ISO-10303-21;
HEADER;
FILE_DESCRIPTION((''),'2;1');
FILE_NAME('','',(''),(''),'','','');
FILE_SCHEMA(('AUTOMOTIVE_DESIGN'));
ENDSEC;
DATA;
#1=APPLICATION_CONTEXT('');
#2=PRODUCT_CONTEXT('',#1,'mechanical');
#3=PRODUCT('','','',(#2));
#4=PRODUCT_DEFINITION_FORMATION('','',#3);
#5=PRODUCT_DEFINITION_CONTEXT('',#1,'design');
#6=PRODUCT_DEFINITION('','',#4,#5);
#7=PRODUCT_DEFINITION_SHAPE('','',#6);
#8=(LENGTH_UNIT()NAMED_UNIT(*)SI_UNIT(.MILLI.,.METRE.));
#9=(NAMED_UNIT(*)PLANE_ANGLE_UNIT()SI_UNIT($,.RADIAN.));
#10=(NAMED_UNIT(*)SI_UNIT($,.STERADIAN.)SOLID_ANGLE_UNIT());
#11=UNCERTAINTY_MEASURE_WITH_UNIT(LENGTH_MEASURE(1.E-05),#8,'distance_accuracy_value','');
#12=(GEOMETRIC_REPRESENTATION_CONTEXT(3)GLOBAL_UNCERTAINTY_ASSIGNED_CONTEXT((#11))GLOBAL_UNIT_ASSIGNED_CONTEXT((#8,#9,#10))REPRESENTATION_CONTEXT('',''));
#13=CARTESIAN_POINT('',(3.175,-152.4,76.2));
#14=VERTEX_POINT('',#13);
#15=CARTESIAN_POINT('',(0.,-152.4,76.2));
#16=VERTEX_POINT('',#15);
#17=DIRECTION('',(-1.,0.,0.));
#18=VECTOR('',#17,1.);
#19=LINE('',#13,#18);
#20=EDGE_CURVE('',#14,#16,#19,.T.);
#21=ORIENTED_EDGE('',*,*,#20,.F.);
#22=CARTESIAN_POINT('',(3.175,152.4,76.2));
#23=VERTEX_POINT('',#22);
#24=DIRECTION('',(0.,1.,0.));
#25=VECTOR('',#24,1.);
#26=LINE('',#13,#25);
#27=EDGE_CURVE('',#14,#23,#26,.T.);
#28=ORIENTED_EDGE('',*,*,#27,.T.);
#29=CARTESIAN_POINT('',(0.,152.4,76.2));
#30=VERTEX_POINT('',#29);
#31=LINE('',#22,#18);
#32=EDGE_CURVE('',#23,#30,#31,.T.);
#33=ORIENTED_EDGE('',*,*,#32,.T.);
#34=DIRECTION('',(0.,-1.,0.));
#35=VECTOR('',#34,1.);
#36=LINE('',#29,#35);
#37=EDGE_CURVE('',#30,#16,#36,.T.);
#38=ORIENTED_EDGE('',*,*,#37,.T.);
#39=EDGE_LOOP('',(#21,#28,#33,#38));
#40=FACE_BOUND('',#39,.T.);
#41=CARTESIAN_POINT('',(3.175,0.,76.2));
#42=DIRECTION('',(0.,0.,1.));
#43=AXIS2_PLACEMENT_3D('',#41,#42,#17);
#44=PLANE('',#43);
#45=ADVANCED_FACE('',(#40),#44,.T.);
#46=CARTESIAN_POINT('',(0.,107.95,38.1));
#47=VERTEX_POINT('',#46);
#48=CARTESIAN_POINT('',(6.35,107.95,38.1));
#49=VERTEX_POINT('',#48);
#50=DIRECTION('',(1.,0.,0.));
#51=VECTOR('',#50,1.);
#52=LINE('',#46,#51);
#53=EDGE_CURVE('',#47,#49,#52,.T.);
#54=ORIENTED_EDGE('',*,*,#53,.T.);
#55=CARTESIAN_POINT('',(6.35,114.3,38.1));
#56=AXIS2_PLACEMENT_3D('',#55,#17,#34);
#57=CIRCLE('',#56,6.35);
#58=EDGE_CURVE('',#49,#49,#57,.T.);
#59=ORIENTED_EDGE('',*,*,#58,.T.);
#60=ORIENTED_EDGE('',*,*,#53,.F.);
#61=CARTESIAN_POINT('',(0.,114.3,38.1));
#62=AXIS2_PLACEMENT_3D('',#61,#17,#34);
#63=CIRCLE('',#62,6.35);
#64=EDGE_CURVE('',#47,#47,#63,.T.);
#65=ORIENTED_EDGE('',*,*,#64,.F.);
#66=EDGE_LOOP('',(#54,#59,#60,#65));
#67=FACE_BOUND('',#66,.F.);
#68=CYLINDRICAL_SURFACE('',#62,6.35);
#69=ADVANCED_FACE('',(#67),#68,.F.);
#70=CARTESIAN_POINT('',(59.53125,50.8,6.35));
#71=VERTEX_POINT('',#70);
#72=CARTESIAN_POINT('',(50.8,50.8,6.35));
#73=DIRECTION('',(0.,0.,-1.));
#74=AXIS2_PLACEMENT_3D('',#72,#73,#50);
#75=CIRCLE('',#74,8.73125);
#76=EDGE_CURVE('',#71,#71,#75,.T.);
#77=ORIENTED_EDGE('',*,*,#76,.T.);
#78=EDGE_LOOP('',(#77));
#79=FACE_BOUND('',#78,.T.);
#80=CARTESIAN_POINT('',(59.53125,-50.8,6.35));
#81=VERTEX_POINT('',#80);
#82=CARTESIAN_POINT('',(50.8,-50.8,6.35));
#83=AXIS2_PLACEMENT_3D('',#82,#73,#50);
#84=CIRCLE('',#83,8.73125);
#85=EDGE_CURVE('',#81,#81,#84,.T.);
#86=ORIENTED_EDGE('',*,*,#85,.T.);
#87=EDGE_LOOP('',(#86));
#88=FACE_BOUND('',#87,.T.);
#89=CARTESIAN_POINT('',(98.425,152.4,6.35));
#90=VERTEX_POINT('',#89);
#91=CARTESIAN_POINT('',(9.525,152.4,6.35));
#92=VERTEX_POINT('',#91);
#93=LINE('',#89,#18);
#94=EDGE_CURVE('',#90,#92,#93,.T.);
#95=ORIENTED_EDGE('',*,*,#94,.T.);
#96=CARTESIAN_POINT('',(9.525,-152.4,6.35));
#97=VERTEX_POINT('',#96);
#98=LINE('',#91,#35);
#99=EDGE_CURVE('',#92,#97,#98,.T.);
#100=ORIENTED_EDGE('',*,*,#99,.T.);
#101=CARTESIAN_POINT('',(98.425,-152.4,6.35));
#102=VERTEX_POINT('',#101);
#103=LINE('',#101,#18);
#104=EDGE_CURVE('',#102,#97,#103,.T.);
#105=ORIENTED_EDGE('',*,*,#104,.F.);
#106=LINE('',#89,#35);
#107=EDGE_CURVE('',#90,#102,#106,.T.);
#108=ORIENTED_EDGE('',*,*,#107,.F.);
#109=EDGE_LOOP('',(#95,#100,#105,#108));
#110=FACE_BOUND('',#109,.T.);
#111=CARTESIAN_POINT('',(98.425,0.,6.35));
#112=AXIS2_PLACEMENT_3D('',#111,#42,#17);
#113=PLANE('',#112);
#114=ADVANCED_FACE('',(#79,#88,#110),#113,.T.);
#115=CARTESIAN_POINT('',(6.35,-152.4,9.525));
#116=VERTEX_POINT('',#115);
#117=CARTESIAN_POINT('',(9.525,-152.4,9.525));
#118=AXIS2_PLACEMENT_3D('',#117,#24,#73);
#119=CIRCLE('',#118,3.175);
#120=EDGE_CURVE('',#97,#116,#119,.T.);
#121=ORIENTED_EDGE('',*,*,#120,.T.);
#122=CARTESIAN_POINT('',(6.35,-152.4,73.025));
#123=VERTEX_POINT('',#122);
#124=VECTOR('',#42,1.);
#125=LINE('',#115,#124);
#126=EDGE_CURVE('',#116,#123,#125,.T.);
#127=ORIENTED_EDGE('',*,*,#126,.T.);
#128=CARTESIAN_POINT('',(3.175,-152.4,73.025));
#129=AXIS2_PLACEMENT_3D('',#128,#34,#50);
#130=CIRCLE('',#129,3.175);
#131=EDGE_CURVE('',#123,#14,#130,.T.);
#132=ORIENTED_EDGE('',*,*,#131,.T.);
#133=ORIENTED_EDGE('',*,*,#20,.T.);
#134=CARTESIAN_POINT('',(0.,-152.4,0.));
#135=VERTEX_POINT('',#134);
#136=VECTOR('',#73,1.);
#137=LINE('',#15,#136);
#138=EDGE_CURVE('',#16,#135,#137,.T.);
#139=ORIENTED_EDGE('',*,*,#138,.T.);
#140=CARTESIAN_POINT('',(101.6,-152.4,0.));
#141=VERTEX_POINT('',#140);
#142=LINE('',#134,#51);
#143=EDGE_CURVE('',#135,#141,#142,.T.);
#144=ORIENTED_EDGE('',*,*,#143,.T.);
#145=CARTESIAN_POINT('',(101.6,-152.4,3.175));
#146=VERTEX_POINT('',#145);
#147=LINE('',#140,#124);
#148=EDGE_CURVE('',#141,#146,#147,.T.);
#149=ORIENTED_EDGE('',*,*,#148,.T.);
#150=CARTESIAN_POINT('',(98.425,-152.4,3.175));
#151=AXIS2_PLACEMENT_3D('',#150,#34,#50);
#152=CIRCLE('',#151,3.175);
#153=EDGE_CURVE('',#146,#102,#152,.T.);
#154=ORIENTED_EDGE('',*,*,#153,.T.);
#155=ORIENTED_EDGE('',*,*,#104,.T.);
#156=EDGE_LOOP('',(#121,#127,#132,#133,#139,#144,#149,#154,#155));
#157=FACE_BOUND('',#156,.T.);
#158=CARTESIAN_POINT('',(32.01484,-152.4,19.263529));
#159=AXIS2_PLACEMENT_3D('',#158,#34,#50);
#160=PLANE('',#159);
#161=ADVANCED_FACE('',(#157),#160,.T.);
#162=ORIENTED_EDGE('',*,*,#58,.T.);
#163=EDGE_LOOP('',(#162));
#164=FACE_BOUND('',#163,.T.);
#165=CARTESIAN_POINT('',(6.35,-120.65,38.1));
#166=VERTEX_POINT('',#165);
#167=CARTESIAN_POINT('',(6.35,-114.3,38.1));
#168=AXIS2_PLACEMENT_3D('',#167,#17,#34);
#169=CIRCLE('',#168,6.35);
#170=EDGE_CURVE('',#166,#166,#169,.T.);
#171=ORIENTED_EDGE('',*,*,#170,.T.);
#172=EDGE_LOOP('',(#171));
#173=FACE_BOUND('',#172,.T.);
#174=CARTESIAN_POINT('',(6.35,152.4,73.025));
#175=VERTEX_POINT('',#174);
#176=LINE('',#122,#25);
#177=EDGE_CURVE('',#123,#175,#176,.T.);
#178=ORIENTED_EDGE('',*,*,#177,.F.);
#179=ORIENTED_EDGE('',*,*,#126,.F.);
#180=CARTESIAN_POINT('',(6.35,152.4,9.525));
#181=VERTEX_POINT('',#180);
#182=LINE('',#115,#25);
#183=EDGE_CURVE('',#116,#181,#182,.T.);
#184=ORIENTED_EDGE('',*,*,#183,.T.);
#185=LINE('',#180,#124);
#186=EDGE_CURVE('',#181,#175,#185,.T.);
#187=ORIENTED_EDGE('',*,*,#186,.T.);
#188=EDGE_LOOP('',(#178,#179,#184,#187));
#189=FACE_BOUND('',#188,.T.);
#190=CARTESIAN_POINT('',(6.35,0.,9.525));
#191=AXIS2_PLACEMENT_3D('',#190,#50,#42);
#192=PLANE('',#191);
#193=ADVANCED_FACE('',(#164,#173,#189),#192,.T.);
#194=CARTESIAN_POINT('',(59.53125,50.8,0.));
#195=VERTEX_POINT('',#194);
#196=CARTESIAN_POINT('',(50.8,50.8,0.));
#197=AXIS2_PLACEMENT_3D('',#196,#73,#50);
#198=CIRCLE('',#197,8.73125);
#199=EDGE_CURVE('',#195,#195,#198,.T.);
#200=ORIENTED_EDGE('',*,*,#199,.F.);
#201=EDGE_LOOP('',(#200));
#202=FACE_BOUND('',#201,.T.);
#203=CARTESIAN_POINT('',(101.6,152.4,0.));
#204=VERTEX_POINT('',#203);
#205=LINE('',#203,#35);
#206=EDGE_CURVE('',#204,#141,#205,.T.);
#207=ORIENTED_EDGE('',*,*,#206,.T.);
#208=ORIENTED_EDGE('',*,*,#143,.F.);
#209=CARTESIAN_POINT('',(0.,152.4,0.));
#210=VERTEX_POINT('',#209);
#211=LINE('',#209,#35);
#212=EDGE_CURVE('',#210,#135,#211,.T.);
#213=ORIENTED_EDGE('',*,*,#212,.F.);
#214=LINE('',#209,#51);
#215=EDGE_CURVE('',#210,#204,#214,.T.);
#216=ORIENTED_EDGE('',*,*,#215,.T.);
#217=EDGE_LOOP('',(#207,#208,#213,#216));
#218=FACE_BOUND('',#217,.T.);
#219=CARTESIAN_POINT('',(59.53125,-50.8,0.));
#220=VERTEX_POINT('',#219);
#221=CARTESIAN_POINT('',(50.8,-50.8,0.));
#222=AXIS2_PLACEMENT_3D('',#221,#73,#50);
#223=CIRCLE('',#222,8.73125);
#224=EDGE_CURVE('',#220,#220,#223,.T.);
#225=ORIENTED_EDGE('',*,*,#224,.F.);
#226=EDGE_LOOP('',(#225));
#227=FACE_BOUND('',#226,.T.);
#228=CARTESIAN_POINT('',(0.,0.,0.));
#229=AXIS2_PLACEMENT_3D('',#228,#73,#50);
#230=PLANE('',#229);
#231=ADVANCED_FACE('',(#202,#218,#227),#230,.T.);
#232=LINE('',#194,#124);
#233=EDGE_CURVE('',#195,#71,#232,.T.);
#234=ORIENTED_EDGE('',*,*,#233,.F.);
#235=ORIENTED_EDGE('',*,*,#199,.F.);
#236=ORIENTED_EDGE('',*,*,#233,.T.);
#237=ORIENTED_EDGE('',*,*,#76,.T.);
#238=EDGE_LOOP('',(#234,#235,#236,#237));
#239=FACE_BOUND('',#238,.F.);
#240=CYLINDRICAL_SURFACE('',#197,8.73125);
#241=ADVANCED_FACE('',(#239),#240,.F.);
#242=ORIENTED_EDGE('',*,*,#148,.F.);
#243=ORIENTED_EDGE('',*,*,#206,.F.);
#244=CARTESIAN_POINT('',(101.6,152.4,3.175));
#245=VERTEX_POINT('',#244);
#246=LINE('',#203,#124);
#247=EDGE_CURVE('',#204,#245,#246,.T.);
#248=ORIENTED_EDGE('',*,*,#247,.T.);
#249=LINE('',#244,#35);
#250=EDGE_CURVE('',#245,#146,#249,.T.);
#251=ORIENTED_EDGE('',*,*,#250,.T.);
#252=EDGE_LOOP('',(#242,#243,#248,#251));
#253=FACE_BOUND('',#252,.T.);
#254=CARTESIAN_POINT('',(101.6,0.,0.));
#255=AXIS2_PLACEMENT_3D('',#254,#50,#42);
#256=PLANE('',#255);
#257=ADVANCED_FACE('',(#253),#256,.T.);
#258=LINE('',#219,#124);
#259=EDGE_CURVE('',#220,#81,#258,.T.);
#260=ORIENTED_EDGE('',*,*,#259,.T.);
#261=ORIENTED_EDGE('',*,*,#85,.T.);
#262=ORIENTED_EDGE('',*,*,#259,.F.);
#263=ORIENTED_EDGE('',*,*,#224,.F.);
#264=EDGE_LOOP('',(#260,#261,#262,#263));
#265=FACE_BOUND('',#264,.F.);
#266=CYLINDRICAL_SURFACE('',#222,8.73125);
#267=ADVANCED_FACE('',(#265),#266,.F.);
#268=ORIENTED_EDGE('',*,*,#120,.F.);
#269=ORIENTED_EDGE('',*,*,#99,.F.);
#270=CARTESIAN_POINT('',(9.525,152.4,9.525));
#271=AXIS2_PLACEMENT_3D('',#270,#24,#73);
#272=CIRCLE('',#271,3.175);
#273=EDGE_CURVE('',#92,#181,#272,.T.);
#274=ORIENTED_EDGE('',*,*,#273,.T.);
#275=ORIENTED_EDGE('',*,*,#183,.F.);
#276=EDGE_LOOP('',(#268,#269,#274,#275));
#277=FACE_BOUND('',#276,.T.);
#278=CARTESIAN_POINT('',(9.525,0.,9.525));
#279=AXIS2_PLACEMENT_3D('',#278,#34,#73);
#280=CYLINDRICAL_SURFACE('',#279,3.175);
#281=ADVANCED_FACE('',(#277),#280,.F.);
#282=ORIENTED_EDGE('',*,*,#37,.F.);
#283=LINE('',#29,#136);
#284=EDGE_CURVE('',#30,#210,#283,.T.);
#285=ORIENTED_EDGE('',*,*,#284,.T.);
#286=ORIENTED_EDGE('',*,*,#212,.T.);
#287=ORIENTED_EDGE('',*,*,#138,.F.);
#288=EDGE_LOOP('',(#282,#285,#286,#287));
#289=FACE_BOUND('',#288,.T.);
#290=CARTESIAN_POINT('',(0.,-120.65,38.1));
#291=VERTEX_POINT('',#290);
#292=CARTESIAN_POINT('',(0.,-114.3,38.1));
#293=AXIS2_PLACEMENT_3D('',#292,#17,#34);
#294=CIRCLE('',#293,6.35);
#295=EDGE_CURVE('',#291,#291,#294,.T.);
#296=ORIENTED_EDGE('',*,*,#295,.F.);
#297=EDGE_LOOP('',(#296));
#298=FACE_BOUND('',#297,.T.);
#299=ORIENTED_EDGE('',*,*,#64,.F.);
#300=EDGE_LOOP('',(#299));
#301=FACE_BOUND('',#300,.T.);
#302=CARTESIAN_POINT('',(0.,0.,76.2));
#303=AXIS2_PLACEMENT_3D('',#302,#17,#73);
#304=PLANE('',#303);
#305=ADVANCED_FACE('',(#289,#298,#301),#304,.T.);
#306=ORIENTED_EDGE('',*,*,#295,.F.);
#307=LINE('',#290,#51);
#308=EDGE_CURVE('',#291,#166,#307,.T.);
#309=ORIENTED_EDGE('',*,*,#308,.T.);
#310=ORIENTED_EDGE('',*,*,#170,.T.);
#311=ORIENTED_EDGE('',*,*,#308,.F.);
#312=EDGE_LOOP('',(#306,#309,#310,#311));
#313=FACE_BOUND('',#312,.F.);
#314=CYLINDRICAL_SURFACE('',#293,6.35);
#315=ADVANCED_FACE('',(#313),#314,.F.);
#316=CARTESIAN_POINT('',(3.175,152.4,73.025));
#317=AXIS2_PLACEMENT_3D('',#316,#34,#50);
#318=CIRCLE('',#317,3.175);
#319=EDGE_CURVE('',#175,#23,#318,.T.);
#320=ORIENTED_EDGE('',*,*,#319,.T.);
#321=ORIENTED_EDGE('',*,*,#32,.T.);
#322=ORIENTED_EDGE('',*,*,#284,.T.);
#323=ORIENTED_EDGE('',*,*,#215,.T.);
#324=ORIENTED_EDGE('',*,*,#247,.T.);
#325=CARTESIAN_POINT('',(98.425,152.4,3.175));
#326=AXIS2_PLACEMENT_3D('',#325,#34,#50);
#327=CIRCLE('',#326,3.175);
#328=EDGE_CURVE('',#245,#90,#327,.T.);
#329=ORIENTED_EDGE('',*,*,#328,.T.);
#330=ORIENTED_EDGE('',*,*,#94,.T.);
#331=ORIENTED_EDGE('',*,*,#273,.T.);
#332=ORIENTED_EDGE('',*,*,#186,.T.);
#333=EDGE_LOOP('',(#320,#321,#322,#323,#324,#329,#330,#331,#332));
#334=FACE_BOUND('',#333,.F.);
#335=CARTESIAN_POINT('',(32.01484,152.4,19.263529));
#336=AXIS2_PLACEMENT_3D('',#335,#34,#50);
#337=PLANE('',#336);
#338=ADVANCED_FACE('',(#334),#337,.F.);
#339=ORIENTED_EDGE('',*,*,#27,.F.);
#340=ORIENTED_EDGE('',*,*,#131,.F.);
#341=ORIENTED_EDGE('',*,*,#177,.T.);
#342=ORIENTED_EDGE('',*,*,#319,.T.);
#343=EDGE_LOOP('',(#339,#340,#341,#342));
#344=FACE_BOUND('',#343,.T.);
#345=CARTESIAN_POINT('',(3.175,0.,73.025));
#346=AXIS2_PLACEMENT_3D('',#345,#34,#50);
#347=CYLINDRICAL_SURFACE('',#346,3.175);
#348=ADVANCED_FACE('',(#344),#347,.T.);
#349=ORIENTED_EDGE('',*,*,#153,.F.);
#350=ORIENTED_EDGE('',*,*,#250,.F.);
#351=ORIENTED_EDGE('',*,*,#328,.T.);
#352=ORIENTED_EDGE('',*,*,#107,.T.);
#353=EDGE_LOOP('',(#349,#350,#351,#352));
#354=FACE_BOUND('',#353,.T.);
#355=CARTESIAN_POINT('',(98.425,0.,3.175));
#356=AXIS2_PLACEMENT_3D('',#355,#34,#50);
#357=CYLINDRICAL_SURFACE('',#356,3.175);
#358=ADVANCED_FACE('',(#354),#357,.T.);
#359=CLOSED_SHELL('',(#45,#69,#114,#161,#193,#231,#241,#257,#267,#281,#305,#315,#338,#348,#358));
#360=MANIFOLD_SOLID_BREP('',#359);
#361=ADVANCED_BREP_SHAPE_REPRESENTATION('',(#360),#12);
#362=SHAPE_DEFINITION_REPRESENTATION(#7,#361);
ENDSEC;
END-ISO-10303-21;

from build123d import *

# Parameters (mm, degrees)
F1_DEPTH = 152.4
F2_R     = 8.73125
F3_DEPTH = 76.201
F4_R     = 6.35
F5_DEPTH = 101.601


with BuildPart() as f1:
    # F0 (on Front) → F1 (new body, symmetric)
    with BuildSketch(Plane.XZ):
        with BuildLine():
            Line((3.175, 76.2), (0, 76.2))
            Line((0, 76.2), (0, 0))
            Line((0, 0), (101.6, 0))
            Line((101.6, 0), (101.6, 3.175))
            ThreePointArc((101.6, 3.175), (100.6700640303, 5.4200640303), (98.425, 6.35))
            Line((98.425, 6.35), (9.525, 6.35))
            ThreePointArc((9.525, 6.35), (7.2799359697, 7.2799359697), (6.35, 9.525))
            Line((6.35, 9.525), (6.35, 73.025))
            ThreePointArc((6.35, 73.025), (5.4200640303, 75.2700640303), (3.175, 76.2))
        make_face()
    extrude(amount=F1_DEPTH, both=True)

    # F2 (on face) → F3 (cut, through all)
    with BuildSketch(Plane(origin=(0, 0, 0), x_dir=(1, 0, 0), z_dir=(0, 0, -1))):
        with Locations((50.8, 50.8)):
            Circle(F2_R)
        with Locations((50.8, -50.8)):
            Circle(F2_R)
    extrude(amount=-F3_DEPTH, mode=Mode.SUBTRACT)

    # F4 (on face) → F5 (cut, through all)
    with BuildSketch(Plane(origin=(0, 0, 0), x_dir=(0, -1, 0), z_dir=(-1, 0, 0))):
        with Locations((-114.3, 38.1)):
            Circle(F4_R)
        with Locations((114.3, 38.1)):
            Circle(F4_R)
    extrude(amount=-F5_DEPTH, mode=Mode.SUBTRACT)


solid = f1.part
